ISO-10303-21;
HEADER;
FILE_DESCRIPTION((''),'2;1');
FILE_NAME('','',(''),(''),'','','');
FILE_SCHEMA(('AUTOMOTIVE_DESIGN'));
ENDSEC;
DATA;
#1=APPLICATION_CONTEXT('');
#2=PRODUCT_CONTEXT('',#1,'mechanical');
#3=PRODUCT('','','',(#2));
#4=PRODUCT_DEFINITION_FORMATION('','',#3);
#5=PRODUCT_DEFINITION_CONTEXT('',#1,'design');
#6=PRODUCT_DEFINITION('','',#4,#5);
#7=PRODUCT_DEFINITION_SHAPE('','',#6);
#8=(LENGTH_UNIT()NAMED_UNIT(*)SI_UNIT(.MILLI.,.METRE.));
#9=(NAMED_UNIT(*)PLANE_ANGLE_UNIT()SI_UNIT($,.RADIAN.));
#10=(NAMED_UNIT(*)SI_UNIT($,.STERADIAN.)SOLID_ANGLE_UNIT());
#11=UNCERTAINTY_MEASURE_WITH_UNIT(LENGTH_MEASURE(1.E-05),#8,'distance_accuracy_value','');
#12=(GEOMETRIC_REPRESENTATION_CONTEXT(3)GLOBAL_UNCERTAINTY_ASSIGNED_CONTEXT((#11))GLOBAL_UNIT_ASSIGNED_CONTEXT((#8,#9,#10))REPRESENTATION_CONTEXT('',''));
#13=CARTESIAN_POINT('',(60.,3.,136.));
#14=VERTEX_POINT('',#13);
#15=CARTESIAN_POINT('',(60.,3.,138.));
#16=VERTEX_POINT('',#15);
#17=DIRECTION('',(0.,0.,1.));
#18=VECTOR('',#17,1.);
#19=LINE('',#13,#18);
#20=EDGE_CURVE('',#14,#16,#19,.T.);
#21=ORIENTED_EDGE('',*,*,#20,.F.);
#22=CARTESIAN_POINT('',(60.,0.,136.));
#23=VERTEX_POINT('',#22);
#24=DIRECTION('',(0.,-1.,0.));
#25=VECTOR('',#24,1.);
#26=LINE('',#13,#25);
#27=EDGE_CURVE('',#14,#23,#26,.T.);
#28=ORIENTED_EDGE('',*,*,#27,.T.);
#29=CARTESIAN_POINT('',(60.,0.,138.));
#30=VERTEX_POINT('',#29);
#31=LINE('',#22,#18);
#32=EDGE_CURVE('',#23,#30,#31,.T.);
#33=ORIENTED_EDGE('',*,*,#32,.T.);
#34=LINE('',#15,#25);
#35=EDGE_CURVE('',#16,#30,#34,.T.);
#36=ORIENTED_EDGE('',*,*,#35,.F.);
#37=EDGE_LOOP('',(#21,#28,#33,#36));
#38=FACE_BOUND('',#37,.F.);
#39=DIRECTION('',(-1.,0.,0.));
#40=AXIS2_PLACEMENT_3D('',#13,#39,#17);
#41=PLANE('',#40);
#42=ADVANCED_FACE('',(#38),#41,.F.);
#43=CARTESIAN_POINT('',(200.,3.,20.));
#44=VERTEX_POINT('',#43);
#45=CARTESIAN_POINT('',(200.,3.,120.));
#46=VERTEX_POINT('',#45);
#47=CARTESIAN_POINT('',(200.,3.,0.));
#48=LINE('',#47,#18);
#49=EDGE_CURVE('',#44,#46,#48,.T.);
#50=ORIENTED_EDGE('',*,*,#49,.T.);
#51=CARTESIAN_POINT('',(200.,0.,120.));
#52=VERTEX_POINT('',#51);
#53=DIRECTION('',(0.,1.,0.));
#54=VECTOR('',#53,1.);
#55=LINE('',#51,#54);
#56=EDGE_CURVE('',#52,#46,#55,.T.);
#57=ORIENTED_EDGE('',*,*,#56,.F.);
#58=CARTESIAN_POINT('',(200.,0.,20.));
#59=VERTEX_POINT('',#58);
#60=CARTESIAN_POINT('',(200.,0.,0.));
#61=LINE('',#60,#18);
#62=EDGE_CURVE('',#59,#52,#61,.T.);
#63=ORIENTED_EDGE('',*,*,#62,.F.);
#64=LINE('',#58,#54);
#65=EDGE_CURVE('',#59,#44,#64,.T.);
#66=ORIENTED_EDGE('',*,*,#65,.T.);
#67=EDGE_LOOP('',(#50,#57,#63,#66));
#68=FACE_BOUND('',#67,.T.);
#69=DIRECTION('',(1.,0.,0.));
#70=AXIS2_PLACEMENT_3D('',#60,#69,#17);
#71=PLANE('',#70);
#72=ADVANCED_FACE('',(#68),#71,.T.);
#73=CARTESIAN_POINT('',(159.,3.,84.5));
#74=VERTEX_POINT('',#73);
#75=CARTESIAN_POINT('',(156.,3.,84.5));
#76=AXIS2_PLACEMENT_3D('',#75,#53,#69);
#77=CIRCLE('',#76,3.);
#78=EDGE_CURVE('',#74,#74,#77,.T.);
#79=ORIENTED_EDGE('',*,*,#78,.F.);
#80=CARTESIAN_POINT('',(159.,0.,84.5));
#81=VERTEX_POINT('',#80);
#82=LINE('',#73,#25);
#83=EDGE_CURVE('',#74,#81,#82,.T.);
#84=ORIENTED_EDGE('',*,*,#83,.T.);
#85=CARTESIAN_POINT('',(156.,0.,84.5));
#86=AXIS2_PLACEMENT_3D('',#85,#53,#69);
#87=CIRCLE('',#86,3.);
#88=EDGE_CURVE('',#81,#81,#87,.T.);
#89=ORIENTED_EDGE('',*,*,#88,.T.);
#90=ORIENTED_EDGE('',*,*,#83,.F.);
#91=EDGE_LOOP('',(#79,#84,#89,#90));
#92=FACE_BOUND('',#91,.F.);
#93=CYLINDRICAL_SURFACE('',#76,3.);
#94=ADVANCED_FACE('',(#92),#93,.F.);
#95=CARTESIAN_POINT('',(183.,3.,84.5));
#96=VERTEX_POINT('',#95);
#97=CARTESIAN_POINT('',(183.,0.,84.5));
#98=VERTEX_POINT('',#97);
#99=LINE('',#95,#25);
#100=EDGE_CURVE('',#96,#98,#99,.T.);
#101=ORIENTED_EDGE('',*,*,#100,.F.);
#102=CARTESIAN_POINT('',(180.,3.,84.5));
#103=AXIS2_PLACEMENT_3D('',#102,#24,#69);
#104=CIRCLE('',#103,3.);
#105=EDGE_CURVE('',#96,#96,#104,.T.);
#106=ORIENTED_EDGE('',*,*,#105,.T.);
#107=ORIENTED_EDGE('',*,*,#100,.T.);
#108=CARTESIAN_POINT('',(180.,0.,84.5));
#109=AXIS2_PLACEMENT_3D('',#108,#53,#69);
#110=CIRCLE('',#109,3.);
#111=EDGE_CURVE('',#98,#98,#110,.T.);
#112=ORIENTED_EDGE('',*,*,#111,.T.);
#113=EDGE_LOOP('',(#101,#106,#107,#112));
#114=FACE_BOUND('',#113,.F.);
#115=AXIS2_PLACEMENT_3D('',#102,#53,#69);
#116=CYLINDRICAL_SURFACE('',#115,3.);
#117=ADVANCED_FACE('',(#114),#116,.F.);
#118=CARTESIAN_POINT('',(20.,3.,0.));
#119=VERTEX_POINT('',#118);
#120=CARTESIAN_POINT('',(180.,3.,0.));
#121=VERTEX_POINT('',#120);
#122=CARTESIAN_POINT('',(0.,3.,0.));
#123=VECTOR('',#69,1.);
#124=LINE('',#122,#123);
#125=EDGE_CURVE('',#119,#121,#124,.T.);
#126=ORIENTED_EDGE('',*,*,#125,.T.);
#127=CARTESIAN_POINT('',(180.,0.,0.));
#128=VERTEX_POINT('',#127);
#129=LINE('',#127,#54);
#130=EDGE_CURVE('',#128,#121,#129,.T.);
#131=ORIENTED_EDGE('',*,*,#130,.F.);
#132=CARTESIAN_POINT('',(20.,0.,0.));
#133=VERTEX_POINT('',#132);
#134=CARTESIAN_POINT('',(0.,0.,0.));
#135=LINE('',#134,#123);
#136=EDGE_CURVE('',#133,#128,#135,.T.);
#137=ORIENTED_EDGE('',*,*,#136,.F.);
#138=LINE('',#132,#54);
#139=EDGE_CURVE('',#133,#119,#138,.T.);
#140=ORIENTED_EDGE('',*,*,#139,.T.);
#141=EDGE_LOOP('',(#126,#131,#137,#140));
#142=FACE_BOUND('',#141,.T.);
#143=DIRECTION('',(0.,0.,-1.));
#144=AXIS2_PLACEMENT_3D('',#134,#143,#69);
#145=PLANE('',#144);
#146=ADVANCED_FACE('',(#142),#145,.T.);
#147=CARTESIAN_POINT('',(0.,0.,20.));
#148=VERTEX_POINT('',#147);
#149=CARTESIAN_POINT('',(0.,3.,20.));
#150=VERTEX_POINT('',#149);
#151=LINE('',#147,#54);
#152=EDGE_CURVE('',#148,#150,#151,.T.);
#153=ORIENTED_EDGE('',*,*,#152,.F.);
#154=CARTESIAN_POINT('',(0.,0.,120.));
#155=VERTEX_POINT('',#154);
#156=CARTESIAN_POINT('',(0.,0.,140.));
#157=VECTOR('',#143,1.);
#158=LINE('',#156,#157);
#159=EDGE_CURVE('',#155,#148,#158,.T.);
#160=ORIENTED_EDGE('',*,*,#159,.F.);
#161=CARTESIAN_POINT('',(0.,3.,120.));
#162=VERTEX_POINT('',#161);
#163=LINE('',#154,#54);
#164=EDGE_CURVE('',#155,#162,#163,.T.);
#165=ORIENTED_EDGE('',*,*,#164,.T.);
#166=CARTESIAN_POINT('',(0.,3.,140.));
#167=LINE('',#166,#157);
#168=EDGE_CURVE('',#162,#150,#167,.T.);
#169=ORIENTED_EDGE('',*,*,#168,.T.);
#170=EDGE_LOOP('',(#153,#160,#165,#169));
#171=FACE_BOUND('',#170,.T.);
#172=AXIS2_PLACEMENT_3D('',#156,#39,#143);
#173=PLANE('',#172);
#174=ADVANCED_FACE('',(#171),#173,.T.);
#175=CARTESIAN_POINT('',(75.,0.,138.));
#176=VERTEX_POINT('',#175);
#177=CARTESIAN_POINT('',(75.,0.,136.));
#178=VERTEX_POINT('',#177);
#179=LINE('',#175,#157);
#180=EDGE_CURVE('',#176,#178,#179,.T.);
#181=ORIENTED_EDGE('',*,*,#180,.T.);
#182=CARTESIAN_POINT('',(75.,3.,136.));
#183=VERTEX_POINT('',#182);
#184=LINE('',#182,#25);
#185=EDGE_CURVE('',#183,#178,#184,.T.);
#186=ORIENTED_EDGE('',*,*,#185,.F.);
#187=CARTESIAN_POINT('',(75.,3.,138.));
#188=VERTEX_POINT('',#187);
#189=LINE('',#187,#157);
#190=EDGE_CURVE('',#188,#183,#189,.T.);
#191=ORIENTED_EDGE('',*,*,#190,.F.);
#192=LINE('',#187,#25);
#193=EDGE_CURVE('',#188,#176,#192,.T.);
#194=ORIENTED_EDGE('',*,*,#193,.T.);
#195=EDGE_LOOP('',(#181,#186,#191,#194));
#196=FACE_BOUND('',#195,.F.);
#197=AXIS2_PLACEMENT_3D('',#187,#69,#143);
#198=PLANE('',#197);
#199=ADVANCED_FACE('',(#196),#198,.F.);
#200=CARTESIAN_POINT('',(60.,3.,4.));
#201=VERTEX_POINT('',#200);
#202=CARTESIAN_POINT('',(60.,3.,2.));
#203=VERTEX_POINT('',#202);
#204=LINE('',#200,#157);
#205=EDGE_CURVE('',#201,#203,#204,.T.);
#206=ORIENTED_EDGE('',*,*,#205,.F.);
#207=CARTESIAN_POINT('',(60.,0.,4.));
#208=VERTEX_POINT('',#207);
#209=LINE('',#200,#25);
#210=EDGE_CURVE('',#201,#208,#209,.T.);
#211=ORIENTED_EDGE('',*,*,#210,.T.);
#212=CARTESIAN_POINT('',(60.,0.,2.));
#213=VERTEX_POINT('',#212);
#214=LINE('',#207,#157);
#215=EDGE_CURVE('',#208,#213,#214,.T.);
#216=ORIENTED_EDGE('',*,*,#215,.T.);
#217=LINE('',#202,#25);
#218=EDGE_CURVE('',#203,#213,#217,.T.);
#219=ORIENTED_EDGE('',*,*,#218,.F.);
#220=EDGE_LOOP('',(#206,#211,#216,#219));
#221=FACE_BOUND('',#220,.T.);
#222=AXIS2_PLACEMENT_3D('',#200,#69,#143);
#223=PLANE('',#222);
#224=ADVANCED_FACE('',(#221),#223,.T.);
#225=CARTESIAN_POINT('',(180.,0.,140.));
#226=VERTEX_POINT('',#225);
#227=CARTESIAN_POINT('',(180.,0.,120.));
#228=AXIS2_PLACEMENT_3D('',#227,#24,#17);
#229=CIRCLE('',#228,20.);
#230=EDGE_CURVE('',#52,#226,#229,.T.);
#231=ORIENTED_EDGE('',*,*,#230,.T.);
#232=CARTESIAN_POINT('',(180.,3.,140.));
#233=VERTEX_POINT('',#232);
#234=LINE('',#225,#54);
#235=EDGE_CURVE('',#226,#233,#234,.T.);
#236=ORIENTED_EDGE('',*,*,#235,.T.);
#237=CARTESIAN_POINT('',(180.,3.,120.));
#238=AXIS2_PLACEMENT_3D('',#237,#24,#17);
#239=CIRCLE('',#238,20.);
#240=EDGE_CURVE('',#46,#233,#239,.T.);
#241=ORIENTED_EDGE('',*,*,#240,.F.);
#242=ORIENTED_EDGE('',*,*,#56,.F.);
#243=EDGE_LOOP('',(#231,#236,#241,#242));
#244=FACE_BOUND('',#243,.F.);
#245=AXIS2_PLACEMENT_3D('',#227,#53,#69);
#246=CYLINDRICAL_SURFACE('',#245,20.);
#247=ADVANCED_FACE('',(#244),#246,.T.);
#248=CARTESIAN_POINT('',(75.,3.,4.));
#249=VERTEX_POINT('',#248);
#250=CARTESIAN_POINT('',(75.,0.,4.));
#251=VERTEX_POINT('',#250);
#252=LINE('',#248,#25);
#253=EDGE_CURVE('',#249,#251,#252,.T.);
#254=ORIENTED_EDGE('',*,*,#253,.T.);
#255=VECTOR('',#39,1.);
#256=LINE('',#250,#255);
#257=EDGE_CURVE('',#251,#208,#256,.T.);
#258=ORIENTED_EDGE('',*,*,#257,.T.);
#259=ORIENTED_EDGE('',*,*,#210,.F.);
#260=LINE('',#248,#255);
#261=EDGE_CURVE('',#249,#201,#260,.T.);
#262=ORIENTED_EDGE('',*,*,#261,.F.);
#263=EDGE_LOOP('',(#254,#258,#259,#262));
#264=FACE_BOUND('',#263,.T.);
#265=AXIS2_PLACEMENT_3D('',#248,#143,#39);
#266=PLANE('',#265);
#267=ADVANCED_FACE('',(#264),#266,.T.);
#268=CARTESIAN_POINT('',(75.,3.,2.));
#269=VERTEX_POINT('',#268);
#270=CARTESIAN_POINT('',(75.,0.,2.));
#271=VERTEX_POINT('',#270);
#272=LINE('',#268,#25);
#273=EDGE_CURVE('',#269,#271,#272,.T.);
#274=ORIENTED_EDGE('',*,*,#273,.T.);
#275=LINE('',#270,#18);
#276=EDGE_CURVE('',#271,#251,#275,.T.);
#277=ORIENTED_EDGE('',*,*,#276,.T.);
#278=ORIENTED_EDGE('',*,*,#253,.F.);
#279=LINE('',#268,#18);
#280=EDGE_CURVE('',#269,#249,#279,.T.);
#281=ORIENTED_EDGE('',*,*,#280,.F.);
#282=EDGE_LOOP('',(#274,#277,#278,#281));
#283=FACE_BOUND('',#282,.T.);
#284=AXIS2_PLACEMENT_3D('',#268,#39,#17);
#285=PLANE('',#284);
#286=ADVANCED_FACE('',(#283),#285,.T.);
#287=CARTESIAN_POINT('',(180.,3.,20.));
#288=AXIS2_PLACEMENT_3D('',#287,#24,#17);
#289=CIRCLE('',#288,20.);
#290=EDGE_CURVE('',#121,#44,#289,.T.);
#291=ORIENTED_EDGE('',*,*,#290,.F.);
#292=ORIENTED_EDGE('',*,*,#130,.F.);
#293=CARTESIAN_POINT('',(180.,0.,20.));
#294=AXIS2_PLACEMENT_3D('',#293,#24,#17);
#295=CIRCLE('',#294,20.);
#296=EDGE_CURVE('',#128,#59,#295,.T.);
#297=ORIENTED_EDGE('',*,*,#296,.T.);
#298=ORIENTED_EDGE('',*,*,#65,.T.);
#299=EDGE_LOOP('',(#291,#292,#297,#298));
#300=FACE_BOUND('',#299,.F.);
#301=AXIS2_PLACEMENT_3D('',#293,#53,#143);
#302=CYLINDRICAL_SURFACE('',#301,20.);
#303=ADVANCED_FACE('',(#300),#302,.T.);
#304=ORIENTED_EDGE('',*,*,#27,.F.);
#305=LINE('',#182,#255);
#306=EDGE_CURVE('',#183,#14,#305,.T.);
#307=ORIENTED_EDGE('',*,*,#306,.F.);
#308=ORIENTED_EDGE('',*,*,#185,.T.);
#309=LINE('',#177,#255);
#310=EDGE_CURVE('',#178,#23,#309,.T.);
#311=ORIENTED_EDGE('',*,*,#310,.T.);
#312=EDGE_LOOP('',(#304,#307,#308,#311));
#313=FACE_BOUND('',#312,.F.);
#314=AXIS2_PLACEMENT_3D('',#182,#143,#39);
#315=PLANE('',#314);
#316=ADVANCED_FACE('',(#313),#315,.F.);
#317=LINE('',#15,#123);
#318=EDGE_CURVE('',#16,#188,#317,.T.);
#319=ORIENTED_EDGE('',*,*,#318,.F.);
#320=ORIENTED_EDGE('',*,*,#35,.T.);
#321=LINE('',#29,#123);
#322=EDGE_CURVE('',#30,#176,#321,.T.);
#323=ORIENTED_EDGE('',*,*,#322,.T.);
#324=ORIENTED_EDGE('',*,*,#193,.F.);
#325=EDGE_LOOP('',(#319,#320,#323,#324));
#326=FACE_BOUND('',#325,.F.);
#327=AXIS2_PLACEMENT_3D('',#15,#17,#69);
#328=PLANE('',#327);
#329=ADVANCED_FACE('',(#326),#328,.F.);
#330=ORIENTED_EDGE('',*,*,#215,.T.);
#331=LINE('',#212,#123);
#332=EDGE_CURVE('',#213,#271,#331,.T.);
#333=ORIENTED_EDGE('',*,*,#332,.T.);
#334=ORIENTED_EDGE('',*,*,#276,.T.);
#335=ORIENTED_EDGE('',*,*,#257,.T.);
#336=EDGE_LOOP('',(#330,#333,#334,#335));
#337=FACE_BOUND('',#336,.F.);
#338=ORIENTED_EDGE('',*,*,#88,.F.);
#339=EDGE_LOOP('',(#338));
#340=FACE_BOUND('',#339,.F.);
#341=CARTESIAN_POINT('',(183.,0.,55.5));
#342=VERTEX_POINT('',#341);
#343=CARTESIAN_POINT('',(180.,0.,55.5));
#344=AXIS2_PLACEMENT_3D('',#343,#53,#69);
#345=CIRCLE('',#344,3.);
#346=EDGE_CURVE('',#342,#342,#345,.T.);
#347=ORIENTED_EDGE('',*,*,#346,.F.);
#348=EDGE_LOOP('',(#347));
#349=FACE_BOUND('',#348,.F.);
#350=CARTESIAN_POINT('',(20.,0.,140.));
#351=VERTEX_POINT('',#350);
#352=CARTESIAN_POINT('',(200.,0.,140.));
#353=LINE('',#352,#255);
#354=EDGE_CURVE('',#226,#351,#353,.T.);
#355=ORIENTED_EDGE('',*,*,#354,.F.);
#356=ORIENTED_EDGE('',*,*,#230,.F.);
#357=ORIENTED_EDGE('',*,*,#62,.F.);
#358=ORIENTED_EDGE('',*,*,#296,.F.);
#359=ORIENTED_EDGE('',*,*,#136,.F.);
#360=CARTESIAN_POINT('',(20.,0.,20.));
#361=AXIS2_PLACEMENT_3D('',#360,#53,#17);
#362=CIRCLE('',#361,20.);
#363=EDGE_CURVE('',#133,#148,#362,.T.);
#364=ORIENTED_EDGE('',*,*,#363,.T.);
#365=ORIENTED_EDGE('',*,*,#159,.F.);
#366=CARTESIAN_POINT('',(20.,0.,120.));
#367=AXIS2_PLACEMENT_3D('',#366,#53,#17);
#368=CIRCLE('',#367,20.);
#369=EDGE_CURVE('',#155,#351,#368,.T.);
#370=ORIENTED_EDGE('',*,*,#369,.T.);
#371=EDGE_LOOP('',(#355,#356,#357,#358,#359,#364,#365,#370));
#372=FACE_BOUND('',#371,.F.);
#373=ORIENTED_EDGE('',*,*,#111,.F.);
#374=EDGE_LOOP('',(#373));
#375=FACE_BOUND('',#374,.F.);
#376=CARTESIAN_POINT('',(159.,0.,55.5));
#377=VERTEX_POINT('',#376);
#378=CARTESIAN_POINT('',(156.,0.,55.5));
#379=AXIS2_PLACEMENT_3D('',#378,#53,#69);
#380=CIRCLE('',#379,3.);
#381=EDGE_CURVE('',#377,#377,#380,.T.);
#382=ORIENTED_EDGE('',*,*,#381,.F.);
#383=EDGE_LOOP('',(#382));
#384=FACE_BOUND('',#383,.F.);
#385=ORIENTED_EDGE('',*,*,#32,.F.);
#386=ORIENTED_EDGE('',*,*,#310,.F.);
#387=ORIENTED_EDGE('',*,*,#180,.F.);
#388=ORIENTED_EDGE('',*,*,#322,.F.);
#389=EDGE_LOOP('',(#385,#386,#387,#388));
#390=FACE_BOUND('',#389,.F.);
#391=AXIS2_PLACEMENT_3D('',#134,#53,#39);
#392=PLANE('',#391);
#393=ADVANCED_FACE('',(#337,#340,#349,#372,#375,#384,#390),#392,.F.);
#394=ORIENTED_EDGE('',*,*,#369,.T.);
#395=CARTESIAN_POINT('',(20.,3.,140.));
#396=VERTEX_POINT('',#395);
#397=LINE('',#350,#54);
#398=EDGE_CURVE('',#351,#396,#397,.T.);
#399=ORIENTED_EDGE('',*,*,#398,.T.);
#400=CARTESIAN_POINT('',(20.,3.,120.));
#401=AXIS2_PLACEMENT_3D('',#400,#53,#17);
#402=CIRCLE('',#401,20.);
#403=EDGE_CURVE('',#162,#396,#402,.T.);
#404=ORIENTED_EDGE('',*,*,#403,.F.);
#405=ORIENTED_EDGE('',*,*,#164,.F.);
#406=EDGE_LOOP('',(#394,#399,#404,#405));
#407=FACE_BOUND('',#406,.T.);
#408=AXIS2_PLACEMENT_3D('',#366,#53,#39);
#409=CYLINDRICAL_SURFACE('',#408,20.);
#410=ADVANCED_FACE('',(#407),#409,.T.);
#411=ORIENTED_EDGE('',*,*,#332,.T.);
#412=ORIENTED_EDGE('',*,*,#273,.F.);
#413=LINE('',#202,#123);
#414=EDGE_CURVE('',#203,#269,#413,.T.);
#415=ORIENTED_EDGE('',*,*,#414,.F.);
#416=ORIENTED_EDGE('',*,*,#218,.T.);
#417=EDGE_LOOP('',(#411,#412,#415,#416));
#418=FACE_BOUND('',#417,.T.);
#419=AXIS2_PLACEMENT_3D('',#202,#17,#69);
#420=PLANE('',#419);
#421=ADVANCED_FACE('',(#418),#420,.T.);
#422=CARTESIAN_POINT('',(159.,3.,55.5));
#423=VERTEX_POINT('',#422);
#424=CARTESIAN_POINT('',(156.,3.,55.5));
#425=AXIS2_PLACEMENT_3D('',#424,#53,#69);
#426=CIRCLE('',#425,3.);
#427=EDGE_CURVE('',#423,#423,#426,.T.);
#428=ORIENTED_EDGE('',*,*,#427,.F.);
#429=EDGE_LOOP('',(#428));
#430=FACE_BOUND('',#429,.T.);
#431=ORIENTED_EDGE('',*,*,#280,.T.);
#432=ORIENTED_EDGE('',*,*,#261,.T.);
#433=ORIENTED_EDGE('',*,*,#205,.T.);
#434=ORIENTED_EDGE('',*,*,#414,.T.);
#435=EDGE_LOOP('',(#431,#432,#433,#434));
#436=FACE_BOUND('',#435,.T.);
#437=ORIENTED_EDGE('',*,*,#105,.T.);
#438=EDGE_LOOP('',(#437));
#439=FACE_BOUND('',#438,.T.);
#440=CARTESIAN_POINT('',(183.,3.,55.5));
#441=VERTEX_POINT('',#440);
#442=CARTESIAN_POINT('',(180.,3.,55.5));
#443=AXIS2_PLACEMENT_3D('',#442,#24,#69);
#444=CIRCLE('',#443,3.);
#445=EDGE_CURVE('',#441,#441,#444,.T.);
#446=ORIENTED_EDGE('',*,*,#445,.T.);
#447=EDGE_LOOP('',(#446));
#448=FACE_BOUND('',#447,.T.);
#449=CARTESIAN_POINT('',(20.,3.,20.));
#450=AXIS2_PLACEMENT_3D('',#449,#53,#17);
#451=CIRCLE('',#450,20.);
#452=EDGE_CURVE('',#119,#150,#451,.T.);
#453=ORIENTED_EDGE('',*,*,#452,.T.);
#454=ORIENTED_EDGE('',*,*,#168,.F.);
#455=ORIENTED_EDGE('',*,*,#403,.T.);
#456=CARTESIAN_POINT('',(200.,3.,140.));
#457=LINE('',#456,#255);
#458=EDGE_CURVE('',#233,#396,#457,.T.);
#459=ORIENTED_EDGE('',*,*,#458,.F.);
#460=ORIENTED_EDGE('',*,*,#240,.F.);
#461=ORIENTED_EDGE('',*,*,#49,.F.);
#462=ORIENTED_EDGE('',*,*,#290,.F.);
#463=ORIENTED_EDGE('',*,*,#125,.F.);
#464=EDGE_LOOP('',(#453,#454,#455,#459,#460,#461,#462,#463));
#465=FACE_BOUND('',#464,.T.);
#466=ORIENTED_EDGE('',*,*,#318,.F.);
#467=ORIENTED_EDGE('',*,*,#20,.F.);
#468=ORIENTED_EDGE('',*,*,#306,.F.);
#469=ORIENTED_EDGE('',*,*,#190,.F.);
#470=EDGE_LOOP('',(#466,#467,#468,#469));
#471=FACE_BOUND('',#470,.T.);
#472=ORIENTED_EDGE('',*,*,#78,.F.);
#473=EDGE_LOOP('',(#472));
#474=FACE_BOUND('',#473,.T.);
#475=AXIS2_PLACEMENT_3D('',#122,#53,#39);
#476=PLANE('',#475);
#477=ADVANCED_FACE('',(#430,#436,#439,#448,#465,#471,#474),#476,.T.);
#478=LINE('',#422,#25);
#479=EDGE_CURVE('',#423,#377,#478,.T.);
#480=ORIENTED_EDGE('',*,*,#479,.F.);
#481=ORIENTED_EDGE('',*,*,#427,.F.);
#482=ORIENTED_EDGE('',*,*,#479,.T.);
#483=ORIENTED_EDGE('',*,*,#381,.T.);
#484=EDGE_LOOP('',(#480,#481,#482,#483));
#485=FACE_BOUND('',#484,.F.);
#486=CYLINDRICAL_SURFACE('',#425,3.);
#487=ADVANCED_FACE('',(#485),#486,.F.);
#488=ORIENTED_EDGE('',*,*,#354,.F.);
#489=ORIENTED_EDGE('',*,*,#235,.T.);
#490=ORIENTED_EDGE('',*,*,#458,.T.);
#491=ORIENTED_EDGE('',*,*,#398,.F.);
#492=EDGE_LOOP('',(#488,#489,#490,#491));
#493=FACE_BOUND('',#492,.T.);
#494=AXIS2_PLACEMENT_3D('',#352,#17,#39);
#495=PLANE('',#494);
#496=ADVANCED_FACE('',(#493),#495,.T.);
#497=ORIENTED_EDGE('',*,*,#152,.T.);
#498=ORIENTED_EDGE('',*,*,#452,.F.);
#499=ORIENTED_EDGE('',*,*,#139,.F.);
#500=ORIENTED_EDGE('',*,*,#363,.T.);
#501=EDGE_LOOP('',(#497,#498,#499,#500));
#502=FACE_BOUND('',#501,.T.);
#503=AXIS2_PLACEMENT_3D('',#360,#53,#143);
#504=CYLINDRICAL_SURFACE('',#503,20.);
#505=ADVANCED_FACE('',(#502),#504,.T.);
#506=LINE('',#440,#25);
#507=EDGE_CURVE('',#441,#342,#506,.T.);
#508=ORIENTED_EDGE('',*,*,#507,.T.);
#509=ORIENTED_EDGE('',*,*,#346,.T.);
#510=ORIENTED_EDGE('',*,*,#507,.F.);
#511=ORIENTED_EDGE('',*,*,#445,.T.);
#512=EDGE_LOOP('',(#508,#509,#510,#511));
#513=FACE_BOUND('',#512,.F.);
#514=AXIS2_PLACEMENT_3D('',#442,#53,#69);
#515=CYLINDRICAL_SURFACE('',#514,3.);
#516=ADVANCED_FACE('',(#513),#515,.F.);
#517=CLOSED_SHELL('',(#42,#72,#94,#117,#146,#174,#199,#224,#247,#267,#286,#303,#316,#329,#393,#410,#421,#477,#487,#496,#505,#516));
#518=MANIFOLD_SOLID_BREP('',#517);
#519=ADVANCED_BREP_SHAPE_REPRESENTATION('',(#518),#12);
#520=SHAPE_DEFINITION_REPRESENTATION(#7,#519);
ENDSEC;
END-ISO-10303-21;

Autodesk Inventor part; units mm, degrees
ref_plane "YZ Plane" through (0, 0, 0) normal (1, 0, 0) x (0, 1, 0)
ref_plane "XZ Plane" through (0, 0, 0) normal (0, 1, 0) x (-1, 0, 0)
ref_plane "XY Plane" through (0, 0, 0) normal (0, 0, 1) x (1, 0, 0)
sketch "Szkic1" plane through (0, 0, 0) normal (0, 1, 0) x (-1, 0, 0)
  line L0 (0, 0) -> (-200, 0)
  line L1 (-200, 0) -> (-200, 140)
  line L2 (-200, 140) -> (0, 140)
  line L3 (0, 140) -> (0, 0)
  dimension "d0" = 200
  dimension "d1" = 140
extrude "Wyciągnięcie proste1" add sketch "Szkic1" along normal blind 3
sketch "Szkic2" plane through (0, 3, 0) normal (0, 1, 0) x (1, 0, 0)
  line L0 (0, 0) -> (50, 0)
  line L1 (200, 0) -> (0, 0) projected
  line L2 (50, 0) -> (60, 0)
  line L3 (60, 0) -> (60, -2)
  line L4 (60, -2) -> (75, -2)
  line L5 (75, -2) -> (75, -4)
  line L6 (75, -4) -> (60, -4)
  line L7 (60, -4) -> (60, -2)
  line L8 (0, 0) -> (0, -140) projected
  line L9 (0, -70) -> (200, -70)
  line L10 (200, -140) -> (200, 0) projected
  line L11 (60, -140) -> (60, -138)
  line L12 (60, -138) -> (75, -138)
  line L13 (75, -138) -> (75, -136)
  line L14 (75, -136) -> (60, -136)
  line L15 (60, -136) -> (60, -138)
  dimension "d4" = 50
  dimension "d5" = 10
  dimension "d6" = 2
  dimension "d7" = 15
  dimension "d8" = 2
extrude "Wyciągnięcie proste2" cut sketch "Szkic2" against normal blind 3 contours L4 L5 L6 L7 | L15 L14 L13 L12
sketch "Szkic3" plane through (0, 3, 0) normal (0, 1, 0) x (1, 0, 0)
  line L0 (200, -140) -> (200, 0) projected
  line L1 (0, -140) -> (200, -140) projected
  line L2 (200, 0) -> (180, 0)
  line L3 (180, 0) -> (180, -140)
  line L4 (180, -140) -> (200, -140)
  line L5 (200, -140) -> (200, 0)
  line L6 (180, -70) -> (180, -53)
  line L7 (180, -53) -> (180, -55.5)
  circle A0 centre (180, -55.5) radius 3
  line L8 (180, -55.5) -> (156, -55.5)
  circle A1 centre (156, -55.5) radius 3
  line L9 (200, -70) -> (129.0719, -70)
  circle A2 centre (180, -84.5) radius 3
  circle A3 centre (156, -84.5) radius 3
  point P0 (0, 0)
  dimension "d11" = 20
  dimension "d12" = 17
  dimension "d13" = 2.5
  dimension "d14" = 6
  dimension "d15" = 24
  dimension "d16" = 6
extrude "Wyciągnięcie proste3" cut sketch "Szkic3" against normal blind 3 contours A1 | A2 L3 | L3 A2 | A0 L8 L3 | L3 A0 | L3 L8 A0 | A3
fillet "Zaokrąglenie1" radius 20 4 edges at (0, 1.5, 140) (0, 1.5, 0) (200, 1.5, 0) (200, 1.5, 140)
properties part number "podstawa"
